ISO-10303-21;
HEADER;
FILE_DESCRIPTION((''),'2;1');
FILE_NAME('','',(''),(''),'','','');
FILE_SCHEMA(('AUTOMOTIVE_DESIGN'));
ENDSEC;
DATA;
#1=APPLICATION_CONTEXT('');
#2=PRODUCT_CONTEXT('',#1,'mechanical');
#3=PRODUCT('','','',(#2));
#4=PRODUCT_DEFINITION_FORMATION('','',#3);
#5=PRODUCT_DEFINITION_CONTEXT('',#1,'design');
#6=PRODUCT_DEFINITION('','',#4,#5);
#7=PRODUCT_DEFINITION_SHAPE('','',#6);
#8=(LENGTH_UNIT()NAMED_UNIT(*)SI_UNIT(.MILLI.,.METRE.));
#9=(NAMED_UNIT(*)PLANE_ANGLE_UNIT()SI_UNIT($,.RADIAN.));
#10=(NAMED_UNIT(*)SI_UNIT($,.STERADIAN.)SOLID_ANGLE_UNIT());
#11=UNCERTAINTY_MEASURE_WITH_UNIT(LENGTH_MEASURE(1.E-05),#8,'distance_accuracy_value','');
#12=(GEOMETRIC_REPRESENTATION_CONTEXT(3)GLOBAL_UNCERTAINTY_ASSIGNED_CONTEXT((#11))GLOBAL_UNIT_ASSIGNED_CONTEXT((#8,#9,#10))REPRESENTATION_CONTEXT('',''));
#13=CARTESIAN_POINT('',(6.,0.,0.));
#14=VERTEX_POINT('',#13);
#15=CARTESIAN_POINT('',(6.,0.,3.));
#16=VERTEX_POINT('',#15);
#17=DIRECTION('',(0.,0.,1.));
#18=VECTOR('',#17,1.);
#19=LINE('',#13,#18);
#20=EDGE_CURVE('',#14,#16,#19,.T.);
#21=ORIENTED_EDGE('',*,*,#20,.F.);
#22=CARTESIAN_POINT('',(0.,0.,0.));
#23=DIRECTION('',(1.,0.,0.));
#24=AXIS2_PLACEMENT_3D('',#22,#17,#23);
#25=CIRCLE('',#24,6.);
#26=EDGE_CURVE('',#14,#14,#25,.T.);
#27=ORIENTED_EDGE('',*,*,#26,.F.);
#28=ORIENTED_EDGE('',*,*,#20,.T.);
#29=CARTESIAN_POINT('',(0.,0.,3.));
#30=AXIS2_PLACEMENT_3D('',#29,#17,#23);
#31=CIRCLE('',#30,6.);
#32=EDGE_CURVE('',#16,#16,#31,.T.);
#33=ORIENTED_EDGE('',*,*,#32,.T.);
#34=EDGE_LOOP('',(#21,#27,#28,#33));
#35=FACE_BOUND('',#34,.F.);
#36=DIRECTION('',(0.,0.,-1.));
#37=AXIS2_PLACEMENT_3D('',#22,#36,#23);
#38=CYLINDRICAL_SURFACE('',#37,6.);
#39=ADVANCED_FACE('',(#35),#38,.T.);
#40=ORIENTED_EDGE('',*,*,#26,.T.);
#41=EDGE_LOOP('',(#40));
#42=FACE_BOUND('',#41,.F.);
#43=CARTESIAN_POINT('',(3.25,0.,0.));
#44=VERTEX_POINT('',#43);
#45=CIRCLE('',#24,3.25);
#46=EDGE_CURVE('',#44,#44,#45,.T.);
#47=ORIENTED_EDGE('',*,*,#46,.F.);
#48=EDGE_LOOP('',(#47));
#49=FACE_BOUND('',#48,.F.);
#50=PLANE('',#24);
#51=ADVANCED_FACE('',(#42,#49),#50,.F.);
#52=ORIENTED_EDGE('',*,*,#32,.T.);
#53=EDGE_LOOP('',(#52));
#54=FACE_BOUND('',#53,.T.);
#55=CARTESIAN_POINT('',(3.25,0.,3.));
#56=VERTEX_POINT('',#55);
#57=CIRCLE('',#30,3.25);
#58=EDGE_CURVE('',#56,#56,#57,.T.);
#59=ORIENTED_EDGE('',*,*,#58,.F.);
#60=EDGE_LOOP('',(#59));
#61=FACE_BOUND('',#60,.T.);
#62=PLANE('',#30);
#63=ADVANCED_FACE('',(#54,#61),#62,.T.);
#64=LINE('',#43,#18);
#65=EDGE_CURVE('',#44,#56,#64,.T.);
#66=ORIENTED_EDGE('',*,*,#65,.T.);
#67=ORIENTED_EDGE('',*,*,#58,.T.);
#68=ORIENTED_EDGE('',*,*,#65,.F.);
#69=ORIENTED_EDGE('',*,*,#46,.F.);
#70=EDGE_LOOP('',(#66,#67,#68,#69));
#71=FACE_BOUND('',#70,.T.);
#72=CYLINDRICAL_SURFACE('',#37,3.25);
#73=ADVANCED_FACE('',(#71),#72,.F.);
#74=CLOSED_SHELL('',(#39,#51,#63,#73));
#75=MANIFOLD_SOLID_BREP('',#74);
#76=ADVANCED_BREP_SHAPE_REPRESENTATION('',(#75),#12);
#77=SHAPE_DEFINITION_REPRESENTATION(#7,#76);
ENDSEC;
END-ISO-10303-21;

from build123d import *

# Parameters (mm, degrees)
SKETCH_R   = 6
SKETCH_R_2 = 3.25
PAD_DEPTH  = 3


with BuildPart() as part:
    # Sketch → Pad (new body)
    with BuildSketch(Plane.XY):
        Circle(SKETCH_R)
        Circle(SKETCH_R_2, mode=Mode.SUBTRACT)
    extrude(amount=PAD_DEPTH)


solid = part.part
